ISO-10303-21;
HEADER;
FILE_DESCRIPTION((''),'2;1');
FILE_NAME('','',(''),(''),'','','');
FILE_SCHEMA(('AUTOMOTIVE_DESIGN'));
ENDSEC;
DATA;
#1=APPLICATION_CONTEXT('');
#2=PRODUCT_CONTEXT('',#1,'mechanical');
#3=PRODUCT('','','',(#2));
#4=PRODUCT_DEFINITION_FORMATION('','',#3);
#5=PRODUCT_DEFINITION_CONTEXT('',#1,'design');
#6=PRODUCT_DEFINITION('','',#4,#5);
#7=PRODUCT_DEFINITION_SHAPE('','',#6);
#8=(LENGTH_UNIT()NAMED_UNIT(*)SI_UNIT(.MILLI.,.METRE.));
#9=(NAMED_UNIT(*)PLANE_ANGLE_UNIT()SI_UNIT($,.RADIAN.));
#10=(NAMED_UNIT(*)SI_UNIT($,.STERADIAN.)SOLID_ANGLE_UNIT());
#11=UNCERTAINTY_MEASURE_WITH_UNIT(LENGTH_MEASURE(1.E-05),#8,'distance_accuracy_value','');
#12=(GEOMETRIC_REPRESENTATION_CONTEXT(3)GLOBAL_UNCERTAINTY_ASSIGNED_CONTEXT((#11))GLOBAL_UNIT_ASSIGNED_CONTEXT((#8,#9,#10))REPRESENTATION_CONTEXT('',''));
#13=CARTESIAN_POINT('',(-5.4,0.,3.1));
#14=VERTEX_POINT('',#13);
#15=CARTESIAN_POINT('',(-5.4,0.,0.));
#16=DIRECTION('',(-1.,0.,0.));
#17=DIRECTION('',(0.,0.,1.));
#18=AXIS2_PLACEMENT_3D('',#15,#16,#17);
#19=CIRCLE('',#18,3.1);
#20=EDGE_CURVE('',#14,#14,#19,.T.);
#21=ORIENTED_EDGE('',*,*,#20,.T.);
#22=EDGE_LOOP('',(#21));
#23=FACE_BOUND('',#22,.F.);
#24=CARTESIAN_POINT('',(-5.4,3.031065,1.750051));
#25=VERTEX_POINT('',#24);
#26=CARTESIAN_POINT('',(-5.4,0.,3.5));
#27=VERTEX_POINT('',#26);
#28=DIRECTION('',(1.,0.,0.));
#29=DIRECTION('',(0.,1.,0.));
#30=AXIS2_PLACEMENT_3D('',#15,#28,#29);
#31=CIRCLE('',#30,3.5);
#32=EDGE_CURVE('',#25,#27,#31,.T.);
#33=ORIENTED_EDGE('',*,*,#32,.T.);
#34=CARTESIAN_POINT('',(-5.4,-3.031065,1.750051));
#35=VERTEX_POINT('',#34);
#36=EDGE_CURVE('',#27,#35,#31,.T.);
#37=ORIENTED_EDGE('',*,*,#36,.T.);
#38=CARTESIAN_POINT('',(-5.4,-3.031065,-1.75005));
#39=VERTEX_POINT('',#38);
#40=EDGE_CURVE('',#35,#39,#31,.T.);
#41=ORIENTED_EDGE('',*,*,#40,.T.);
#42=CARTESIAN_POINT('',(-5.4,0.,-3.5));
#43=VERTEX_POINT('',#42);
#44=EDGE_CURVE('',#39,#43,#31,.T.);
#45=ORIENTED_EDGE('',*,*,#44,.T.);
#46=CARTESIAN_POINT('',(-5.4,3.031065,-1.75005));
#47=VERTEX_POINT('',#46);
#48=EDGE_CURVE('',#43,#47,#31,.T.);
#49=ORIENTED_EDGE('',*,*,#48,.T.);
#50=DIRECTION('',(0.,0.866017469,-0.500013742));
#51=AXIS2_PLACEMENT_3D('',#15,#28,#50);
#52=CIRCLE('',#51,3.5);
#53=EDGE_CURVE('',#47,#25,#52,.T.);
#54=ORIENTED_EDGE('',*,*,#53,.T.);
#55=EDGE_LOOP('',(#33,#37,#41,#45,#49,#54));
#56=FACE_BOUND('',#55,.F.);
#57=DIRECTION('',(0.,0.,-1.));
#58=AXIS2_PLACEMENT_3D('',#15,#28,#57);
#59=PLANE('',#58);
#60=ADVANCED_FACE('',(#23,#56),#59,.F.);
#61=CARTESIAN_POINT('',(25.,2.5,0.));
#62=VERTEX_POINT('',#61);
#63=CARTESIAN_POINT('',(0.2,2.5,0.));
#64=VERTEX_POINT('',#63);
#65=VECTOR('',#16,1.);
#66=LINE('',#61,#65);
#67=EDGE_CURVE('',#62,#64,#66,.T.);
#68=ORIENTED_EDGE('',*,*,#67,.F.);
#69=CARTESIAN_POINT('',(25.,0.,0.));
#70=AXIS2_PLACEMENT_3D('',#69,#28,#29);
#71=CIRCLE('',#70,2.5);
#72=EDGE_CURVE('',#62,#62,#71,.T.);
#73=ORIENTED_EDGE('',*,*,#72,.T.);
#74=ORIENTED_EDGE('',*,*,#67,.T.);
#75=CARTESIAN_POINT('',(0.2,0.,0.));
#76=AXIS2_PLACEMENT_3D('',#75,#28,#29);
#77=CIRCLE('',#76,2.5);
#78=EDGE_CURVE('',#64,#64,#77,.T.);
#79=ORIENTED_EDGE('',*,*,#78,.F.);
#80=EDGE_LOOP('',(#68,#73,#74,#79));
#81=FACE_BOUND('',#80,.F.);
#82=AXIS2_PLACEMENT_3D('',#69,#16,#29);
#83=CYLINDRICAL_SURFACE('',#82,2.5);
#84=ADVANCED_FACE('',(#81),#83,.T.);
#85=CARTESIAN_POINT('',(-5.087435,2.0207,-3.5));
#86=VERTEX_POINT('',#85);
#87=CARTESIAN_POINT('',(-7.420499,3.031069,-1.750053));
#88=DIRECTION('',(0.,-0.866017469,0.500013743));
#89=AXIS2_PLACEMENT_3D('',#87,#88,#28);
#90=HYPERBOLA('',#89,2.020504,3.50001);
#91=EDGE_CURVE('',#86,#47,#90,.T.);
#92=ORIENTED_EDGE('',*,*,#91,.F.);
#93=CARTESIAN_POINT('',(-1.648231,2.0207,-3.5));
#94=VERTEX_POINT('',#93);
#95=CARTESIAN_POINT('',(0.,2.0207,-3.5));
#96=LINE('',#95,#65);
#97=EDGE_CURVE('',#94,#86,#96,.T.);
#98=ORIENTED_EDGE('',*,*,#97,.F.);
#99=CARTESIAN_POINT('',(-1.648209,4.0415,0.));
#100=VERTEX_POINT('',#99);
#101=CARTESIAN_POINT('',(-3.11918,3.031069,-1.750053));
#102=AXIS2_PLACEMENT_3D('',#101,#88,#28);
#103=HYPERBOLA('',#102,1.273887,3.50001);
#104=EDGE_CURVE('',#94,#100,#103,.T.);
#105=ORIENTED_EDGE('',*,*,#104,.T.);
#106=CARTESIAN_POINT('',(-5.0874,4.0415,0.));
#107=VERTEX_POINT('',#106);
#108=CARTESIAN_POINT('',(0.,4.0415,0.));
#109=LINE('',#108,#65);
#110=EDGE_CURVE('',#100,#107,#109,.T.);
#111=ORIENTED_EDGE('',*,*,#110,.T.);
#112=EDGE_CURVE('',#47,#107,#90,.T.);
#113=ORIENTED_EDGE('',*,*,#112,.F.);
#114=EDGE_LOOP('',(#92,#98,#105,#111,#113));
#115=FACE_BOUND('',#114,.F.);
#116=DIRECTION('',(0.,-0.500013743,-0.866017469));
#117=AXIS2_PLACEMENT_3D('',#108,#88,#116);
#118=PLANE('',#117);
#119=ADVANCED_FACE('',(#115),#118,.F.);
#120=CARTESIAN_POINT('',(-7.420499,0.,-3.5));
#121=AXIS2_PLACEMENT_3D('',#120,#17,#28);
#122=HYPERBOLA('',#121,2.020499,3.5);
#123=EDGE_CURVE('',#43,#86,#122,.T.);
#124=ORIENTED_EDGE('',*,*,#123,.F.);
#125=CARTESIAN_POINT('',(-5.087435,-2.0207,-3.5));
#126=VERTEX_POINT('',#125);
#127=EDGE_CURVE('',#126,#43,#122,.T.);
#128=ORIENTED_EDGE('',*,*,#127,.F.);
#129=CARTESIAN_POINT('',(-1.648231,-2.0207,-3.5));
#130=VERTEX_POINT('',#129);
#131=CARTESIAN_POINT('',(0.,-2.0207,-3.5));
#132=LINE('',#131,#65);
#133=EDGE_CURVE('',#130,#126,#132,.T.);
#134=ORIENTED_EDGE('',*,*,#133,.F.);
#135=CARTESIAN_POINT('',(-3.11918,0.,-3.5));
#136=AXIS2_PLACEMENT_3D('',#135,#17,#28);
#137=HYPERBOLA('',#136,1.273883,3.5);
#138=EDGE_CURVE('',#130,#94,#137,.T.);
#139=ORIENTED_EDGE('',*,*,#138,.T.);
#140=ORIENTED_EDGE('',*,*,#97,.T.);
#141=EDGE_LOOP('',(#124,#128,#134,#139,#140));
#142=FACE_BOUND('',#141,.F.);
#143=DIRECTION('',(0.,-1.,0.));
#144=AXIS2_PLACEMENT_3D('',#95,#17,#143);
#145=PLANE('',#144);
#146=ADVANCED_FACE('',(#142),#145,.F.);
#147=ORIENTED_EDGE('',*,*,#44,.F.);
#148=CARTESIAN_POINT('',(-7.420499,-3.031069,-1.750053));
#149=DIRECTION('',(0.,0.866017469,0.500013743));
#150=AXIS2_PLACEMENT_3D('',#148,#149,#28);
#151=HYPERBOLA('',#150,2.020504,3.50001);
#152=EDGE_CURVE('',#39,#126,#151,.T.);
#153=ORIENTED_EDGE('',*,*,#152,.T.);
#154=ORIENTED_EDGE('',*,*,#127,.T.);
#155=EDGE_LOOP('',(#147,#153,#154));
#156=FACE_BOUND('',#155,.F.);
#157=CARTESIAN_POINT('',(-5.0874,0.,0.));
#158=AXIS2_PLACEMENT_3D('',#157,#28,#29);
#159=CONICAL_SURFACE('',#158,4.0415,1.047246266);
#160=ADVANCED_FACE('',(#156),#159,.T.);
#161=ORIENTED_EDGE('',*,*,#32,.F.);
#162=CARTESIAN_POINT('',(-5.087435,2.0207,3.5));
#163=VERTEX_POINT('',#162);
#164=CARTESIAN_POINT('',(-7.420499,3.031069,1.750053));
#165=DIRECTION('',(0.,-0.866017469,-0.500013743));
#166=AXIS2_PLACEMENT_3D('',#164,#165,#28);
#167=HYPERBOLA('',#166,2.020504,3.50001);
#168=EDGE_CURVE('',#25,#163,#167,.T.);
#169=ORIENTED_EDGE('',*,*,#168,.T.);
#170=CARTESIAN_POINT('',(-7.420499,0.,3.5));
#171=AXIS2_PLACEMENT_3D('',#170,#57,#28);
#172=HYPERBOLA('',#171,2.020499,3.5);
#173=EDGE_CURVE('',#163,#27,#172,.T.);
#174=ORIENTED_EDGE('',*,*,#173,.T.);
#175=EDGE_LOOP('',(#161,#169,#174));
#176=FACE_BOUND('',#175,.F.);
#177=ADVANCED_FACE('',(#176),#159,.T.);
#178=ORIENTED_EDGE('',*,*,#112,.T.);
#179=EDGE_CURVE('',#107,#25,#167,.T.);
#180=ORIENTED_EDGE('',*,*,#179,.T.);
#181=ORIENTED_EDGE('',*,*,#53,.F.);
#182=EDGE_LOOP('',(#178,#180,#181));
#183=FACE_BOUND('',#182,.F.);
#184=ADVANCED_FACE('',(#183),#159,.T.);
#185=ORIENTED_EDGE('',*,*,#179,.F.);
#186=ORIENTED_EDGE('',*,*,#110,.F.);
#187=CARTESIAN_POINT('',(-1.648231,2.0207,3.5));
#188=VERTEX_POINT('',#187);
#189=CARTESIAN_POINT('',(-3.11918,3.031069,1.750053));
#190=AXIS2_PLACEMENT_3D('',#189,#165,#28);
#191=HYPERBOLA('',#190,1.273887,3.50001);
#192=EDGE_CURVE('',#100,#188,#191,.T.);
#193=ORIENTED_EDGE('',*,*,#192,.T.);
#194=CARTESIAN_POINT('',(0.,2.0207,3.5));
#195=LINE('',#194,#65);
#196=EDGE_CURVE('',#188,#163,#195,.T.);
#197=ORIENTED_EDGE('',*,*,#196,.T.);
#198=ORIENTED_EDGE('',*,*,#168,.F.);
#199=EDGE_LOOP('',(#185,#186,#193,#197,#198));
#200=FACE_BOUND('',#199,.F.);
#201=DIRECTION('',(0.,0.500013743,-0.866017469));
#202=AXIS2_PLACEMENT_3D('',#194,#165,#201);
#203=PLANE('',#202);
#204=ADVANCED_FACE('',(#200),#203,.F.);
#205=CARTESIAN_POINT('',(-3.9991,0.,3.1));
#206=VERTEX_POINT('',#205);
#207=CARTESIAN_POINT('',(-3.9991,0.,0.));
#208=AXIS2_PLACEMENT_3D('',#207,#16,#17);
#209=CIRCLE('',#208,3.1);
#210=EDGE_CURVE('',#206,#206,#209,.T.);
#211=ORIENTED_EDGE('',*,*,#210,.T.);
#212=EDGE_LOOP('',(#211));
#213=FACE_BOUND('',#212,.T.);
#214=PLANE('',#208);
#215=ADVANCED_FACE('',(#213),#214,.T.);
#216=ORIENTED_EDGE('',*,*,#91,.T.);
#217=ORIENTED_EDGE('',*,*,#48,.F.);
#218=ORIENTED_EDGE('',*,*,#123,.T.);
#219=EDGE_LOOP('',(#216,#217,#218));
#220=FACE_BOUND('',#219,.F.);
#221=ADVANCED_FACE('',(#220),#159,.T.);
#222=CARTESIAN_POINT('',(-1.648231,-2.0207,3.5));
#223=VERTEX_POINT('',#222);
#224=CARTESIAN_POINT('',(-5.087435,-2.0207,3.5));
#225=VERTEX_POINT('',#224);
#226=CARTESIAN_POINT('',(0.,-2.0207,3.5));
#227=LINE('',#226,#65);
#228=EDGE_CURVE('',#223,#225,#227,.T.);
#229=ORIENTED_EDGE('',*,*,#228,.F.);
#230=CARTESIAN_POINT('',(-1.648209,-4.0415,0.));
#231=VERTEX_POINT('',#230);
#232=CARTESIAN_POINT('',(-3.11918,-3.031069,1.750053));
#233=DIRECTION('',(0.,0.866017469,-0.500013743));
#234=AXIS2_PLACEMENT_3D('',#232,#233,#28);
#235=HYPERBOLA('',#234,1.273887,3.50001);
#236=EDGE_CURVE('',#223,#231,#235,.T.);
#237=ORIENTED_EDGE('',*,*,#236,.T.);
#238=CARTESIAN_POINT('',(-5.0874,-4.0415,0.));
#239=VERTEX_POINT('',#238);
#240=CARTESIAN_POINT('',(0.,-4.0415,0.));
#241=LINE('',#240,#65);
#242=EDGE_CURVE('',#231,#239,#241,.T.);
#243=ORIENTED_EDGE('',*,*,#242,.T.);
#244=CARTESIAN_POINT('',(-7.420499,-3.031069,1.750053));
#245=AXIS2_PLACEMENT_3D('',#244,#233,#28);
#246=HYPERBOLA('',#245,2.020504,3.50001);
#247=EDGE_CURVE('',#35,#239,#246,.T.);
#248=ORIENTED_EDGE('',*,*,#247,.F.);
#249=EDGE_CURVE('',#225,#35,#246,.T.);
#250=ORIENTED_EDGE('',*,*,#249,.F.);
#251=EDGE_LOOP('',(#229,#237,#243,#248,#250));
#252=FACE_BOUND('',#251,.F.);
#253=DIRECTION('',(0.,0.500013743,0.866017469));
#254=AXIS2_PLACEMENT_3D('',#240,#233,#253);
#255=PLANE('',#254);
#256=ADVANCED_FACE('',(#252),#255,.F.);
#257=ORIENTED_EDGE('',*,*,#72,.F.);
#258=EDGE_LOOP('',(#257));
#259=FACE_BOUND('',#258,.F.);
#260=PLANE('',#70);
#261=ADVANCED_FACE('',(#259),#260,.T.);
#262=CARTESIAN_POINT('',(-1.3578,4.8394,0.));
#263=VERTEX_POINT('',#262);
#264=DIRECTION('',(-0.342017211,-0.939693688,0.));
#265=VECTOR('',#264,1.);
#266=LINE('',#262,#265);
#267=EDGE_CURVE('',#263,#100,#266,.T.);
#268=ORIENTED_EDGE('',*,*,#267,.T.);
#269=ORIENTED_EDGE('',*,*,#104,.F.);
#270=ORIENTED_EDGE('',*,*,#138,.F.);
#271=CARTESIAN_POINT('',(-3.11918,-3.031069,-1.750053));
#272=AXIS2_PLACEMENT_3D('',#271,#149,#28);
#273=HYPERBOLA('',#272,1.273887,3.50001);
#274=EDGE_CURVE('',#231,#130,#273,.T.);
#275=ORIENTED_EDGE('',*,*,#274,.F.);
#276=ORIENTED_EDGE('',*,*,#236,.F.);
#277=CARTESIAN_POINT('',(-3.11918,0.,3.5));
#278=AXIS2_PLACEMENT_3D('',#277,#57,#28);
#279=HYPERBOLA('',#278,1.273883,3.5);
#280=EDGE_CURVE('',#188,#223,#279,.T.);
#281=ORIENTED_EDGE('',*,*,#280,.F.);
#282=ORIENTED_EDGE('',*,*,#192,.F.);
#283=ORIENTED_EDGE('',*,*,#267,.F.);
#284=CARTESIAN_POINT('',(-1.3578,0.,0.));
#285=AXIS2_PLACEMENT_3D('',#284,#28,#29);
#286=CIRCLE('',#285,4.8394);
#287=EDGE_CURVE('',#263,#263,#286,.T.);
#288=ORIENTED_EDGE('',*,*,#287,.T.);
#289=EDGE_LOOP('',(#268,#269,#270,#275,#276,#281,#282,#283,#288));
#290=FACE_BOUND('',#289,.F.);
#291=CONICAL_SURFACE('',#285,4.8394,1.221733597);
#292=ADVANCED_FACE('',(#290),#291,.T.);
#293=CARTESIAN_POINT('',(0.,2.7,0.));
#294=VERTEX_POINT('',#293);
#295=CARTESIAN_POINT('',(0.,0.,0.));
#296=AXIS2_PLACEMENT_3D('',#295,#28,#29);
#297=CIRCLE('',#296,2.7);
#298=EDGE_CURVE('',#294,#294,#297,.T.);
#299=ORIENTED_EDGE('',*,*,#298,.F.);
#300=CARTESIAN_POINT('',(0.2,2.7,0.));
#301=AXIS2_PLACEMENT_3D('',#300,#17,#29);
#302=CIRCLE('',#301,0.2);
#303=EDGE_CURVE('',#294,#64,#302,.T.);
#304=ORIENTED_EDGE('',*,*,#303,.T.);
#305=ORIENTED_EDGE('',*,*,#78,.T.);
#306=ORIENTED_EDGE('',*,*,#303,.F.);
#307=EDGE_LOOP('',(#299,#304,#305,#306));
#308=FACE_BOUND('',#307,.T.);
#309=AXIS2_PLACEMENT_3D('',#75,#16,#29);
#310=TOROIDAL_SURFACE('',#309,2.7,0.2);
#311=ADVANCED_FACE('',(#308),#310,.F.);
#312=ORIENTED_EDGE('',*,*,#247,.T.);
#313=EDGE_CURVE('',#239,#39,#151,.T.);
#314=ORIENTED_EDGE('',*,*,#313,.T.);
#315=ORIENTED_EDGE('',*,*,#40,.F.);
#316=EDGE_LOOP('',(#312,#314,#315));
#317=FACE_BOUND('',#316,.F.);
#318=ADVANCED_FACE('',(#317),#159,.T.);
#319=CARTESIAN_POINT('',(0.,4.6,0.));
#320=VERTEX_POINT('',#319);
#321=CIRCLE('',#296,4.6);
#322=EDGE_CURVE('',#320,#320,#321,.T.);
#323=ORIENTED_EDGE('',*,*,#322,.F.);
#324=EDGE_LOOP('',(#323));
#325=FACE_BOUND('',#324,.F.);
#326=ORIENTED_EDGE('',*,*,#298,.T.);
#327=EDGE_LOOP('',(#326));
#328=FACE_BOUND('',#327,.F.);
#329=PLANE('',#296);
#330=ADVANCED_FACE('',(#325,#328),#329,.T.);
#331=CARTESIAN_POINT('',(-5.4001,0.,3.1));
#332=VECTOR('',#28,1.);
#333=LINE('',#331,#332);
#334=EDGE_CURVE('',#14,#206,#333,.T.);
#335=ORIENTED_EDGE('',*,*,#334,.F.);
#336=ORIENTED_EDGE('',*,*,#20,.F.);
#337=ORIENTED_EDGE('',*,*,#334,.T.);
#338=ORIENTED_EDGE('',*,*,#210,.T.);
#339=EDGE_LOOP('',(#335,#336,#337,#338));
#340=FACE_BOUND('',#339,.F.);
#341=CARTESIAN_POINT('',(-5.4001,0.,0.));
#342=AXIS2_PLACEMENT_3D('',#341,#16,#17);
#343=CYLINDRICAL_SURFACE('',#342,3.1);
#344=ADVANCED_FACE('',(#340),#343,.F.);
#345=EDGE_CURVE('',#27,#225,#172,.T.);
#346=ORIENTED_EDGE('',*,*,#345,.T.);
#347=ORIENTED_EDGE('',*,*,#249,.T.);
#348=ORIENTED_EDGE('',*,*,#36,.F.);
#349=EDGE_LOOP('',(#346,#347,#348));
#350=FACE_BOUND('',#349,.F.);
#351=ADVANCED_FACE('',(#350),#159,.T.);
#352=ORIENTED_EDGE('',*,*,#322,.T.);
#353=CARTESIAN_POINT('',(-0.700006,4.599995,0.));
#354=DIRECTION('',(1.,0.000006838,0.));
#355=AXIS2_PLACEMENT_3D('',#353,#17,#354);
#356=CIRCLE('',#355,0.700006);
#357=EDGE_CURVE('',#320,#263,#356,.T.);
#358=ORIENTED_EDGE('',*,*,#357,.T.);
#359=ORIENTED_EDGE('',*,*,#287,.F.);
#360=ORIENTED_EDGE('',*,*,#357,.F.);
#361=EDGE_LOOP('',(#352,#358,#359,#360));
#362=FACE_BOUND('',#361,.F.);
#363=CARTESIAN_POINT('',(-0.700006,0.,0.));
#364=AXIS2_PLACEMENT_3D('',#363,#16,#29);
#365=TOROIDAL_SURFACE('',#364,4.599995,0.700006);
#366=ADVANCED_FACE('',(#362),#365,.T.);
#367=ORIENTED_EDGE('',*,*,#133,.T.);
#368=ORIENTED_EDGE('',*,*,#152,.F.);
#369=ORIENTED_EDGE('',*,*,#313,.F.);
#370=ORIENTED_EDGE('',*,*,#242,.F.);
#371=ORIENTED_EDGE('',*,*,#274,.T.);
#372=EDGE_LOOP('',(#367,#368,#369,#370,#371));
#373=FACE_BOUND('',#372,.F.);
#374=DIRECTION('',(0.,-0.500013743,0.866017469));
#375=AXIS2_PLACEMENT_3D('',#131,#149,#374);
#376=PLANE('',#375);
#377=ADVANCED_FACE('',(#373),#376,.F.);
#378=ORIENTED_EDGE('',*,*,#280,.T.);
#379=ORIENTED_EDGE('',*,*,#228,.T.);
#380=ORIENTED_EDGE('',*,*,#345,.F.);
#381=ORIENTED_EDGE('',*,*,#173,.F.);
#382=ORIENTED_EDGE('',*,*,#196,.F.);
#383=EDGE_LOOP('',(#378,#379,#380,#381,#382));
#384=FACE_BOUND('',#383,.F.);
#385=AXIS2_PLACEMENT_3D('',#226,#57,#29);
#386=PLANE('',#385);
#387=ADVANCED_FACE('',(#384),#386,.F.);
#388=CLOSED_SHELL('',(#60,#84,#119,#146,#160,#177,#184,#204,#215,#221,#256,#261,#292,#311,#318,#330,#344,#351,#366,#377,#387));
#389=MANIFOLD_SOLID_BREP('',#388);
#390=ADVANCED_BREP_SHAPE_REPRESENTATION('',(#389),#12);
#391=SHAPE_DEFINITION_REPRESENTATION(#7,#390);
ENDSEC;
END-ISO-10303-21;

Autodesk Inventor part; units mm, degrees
ref_plane "YZ Plane" through (0, 0, 0) normal (1, 0, 0) x (0, 1, 0)
sketch "Sketch1" plane through (0, 0, 0) normal (0, 0, 1) x (1, 0, 0)
  line L0 (-1.3578, 4.8394) -> (-2.7, 1.1517)
  line L1 (-2.7, 1.1517) -> (-2.7, 0)
  line L2 (-2.7, 0) -> (25, 0)
  line L3 (25, 0) -> (25, 2.5)
  line L4 (25, 2.5) -> (0, 2.5)
  line L5 (0, 2.5) -> (0, 4.6)
  arc A0 (0, 4.6) -> (-1.3578, 4.8394) centre (-0.7, 4.6) ccw
  line L6 (-8.24, 0) -> (30.54, 0) projected
  line L7 (0, -1.0818) -> (0, 6.4909) projected
  dimension "d0" = 0.7
  dimension "d1" = 2.7
  dimension "d3" = 5
  dimension "d6" = 25
  dimension "d7" = 20
  dimension "d8" = 10.6
revolve "Body" add sketch "Sketch1" angle 360 about axis through (-2.7, 0, 0) along (1, 0, 0)
thread "Thread" size "M5x0.8" class "6g" standard "ISO Metric profile" length 23.2
sketch "Sketch2" plane through (0, 0, 0) normal (1, 0, 0) x (0, 0, -1)
  circle A0 centre (0, 0) radius 4.6 projected
  line L0 (0, 4.0415) -> (3.5, 2.0207)
  line L1 (3.5, 2.0207) -> (3.5, -2.0207)
  line L2 (3.5, -2.0207) -> (0, -4.0415)
  line L3 (0, -4.0415) -> (-3.5, -2.0207)
  line L4 (-3.5, -2.0207) -> (-3.5, 2.0207)
  line L5 (-3.5, 2.0207) -> (0, 4.0415)
  dimension "d14" = 7
extrude "Head" add sketch "Sketch2" against normal blind 5.4 contours L0 L1 L2 L3 L4 L5
fillet "Fillet1" radius 0.2 1 edges at (0, -2.5, 0)
ref_plane "IDS_WORKPLANE{1}" through (-5.4001, 0, 0) normal (-1, 0, 0) x (0, 0, 1)
sketch "Sketch3" plane through (-5.4001, 0, 0) normal (-1, 0, 0) x (0, 0, 1)
  circle A0 centre (0, 0) radius 3.1
  point P0 (0, 0)
  dimension "d18" = 6.2
extrude "Indent" cut sketch "Sketch3" against normal blind 1.401
sketch "Sketch4" plane through (0, 0, 0) normal (0, 0, 1) x (1, 0, 0)
  line L0 (-5.4, 3.5) -> (-5.4, 4.0415)
  line L1 (-5.4, 4.0415) -> (-5.0874, 4.0415)
  line L2 (-5.0874, 4.0415) -> (-5.4, 3.5)
  line L3 (-1.6482, 4.0415) -> (-5.4, 4.0415) projected
  line L4 (-5.4, 4.0415) -> (-5.4, 2.0207) projected
  line L5 (-6.1504, 0) -> (-0.8979, 0) projected
  dimension "d21" = 30
  dimension "d22" = 7
revolve "Chamfer1" cut sketch "Sketch4" angle 360 about axis through (-10, 0, 0) along (1, 0, 0)
ref_plane "Work Plane3" through (1.25, 0, 0) normal (0, 0, 1) x (1, 0, 0)
equation "\"d0\" = PHH"
equation "\"d1\" = 0.5 * KOH"
equation "\"d3\" = GD"
equation "\"d6\" = NLG"
equation "\"d7\" = KEWI"
equation "\"d8\" = LADI"
equation "\"d14\" = SW"
equation "\"d15\" = KOH"
equation "\"d18\" = KOD2"
equation "\"d21\" = ANG1"
equation "\"d22\" = SW"
equation "\"d9\" = GEL"
equation "\"d11\" = RR"
equation "\"NLG\" = 25"
equation "\"GD\" = NND"
equation "\"KOH\" = 5.4"
equation "\"GEL\" = 23.2"
equation "\"LADI\" = 10.6"
equation "\"SW\" = 7"
equation "\"PHH\" = 0.7"
equation "\"ANG1\" = 30deg"
equation "\"KEWI\" = 20deg"
equation "\"RR\" = 0.2"
equation "\"KOD2\" = 6.2"
equation "\"KOH2\" = 1.4"
equation "\"GUL\" = 0.61345 * PTC"
equation "\"SPD\" = 3.6"
equation "\"SD\" = 0"
equation "\"GD1\" = THREADDIA - 1.2269 * PTC"
equation "\"THREADDIA\" = 5"
equation "\"TOA\" = 30deg"
equation "\"BDM\" = NND"
equation "\"PTC\" = 0.8"
equation "\"NND\" = 5"
equation "\"BDM2\" = 4.36"
equation "\"GAL\" = 0.61345 * PTC"
equation "\"E0\" = 1.155 * SW"
properties part number "ANSI B 18.6.7 M / IFI 513 - M5x0,8 x 25, IHFHMSM" material "Steel, Mild"
